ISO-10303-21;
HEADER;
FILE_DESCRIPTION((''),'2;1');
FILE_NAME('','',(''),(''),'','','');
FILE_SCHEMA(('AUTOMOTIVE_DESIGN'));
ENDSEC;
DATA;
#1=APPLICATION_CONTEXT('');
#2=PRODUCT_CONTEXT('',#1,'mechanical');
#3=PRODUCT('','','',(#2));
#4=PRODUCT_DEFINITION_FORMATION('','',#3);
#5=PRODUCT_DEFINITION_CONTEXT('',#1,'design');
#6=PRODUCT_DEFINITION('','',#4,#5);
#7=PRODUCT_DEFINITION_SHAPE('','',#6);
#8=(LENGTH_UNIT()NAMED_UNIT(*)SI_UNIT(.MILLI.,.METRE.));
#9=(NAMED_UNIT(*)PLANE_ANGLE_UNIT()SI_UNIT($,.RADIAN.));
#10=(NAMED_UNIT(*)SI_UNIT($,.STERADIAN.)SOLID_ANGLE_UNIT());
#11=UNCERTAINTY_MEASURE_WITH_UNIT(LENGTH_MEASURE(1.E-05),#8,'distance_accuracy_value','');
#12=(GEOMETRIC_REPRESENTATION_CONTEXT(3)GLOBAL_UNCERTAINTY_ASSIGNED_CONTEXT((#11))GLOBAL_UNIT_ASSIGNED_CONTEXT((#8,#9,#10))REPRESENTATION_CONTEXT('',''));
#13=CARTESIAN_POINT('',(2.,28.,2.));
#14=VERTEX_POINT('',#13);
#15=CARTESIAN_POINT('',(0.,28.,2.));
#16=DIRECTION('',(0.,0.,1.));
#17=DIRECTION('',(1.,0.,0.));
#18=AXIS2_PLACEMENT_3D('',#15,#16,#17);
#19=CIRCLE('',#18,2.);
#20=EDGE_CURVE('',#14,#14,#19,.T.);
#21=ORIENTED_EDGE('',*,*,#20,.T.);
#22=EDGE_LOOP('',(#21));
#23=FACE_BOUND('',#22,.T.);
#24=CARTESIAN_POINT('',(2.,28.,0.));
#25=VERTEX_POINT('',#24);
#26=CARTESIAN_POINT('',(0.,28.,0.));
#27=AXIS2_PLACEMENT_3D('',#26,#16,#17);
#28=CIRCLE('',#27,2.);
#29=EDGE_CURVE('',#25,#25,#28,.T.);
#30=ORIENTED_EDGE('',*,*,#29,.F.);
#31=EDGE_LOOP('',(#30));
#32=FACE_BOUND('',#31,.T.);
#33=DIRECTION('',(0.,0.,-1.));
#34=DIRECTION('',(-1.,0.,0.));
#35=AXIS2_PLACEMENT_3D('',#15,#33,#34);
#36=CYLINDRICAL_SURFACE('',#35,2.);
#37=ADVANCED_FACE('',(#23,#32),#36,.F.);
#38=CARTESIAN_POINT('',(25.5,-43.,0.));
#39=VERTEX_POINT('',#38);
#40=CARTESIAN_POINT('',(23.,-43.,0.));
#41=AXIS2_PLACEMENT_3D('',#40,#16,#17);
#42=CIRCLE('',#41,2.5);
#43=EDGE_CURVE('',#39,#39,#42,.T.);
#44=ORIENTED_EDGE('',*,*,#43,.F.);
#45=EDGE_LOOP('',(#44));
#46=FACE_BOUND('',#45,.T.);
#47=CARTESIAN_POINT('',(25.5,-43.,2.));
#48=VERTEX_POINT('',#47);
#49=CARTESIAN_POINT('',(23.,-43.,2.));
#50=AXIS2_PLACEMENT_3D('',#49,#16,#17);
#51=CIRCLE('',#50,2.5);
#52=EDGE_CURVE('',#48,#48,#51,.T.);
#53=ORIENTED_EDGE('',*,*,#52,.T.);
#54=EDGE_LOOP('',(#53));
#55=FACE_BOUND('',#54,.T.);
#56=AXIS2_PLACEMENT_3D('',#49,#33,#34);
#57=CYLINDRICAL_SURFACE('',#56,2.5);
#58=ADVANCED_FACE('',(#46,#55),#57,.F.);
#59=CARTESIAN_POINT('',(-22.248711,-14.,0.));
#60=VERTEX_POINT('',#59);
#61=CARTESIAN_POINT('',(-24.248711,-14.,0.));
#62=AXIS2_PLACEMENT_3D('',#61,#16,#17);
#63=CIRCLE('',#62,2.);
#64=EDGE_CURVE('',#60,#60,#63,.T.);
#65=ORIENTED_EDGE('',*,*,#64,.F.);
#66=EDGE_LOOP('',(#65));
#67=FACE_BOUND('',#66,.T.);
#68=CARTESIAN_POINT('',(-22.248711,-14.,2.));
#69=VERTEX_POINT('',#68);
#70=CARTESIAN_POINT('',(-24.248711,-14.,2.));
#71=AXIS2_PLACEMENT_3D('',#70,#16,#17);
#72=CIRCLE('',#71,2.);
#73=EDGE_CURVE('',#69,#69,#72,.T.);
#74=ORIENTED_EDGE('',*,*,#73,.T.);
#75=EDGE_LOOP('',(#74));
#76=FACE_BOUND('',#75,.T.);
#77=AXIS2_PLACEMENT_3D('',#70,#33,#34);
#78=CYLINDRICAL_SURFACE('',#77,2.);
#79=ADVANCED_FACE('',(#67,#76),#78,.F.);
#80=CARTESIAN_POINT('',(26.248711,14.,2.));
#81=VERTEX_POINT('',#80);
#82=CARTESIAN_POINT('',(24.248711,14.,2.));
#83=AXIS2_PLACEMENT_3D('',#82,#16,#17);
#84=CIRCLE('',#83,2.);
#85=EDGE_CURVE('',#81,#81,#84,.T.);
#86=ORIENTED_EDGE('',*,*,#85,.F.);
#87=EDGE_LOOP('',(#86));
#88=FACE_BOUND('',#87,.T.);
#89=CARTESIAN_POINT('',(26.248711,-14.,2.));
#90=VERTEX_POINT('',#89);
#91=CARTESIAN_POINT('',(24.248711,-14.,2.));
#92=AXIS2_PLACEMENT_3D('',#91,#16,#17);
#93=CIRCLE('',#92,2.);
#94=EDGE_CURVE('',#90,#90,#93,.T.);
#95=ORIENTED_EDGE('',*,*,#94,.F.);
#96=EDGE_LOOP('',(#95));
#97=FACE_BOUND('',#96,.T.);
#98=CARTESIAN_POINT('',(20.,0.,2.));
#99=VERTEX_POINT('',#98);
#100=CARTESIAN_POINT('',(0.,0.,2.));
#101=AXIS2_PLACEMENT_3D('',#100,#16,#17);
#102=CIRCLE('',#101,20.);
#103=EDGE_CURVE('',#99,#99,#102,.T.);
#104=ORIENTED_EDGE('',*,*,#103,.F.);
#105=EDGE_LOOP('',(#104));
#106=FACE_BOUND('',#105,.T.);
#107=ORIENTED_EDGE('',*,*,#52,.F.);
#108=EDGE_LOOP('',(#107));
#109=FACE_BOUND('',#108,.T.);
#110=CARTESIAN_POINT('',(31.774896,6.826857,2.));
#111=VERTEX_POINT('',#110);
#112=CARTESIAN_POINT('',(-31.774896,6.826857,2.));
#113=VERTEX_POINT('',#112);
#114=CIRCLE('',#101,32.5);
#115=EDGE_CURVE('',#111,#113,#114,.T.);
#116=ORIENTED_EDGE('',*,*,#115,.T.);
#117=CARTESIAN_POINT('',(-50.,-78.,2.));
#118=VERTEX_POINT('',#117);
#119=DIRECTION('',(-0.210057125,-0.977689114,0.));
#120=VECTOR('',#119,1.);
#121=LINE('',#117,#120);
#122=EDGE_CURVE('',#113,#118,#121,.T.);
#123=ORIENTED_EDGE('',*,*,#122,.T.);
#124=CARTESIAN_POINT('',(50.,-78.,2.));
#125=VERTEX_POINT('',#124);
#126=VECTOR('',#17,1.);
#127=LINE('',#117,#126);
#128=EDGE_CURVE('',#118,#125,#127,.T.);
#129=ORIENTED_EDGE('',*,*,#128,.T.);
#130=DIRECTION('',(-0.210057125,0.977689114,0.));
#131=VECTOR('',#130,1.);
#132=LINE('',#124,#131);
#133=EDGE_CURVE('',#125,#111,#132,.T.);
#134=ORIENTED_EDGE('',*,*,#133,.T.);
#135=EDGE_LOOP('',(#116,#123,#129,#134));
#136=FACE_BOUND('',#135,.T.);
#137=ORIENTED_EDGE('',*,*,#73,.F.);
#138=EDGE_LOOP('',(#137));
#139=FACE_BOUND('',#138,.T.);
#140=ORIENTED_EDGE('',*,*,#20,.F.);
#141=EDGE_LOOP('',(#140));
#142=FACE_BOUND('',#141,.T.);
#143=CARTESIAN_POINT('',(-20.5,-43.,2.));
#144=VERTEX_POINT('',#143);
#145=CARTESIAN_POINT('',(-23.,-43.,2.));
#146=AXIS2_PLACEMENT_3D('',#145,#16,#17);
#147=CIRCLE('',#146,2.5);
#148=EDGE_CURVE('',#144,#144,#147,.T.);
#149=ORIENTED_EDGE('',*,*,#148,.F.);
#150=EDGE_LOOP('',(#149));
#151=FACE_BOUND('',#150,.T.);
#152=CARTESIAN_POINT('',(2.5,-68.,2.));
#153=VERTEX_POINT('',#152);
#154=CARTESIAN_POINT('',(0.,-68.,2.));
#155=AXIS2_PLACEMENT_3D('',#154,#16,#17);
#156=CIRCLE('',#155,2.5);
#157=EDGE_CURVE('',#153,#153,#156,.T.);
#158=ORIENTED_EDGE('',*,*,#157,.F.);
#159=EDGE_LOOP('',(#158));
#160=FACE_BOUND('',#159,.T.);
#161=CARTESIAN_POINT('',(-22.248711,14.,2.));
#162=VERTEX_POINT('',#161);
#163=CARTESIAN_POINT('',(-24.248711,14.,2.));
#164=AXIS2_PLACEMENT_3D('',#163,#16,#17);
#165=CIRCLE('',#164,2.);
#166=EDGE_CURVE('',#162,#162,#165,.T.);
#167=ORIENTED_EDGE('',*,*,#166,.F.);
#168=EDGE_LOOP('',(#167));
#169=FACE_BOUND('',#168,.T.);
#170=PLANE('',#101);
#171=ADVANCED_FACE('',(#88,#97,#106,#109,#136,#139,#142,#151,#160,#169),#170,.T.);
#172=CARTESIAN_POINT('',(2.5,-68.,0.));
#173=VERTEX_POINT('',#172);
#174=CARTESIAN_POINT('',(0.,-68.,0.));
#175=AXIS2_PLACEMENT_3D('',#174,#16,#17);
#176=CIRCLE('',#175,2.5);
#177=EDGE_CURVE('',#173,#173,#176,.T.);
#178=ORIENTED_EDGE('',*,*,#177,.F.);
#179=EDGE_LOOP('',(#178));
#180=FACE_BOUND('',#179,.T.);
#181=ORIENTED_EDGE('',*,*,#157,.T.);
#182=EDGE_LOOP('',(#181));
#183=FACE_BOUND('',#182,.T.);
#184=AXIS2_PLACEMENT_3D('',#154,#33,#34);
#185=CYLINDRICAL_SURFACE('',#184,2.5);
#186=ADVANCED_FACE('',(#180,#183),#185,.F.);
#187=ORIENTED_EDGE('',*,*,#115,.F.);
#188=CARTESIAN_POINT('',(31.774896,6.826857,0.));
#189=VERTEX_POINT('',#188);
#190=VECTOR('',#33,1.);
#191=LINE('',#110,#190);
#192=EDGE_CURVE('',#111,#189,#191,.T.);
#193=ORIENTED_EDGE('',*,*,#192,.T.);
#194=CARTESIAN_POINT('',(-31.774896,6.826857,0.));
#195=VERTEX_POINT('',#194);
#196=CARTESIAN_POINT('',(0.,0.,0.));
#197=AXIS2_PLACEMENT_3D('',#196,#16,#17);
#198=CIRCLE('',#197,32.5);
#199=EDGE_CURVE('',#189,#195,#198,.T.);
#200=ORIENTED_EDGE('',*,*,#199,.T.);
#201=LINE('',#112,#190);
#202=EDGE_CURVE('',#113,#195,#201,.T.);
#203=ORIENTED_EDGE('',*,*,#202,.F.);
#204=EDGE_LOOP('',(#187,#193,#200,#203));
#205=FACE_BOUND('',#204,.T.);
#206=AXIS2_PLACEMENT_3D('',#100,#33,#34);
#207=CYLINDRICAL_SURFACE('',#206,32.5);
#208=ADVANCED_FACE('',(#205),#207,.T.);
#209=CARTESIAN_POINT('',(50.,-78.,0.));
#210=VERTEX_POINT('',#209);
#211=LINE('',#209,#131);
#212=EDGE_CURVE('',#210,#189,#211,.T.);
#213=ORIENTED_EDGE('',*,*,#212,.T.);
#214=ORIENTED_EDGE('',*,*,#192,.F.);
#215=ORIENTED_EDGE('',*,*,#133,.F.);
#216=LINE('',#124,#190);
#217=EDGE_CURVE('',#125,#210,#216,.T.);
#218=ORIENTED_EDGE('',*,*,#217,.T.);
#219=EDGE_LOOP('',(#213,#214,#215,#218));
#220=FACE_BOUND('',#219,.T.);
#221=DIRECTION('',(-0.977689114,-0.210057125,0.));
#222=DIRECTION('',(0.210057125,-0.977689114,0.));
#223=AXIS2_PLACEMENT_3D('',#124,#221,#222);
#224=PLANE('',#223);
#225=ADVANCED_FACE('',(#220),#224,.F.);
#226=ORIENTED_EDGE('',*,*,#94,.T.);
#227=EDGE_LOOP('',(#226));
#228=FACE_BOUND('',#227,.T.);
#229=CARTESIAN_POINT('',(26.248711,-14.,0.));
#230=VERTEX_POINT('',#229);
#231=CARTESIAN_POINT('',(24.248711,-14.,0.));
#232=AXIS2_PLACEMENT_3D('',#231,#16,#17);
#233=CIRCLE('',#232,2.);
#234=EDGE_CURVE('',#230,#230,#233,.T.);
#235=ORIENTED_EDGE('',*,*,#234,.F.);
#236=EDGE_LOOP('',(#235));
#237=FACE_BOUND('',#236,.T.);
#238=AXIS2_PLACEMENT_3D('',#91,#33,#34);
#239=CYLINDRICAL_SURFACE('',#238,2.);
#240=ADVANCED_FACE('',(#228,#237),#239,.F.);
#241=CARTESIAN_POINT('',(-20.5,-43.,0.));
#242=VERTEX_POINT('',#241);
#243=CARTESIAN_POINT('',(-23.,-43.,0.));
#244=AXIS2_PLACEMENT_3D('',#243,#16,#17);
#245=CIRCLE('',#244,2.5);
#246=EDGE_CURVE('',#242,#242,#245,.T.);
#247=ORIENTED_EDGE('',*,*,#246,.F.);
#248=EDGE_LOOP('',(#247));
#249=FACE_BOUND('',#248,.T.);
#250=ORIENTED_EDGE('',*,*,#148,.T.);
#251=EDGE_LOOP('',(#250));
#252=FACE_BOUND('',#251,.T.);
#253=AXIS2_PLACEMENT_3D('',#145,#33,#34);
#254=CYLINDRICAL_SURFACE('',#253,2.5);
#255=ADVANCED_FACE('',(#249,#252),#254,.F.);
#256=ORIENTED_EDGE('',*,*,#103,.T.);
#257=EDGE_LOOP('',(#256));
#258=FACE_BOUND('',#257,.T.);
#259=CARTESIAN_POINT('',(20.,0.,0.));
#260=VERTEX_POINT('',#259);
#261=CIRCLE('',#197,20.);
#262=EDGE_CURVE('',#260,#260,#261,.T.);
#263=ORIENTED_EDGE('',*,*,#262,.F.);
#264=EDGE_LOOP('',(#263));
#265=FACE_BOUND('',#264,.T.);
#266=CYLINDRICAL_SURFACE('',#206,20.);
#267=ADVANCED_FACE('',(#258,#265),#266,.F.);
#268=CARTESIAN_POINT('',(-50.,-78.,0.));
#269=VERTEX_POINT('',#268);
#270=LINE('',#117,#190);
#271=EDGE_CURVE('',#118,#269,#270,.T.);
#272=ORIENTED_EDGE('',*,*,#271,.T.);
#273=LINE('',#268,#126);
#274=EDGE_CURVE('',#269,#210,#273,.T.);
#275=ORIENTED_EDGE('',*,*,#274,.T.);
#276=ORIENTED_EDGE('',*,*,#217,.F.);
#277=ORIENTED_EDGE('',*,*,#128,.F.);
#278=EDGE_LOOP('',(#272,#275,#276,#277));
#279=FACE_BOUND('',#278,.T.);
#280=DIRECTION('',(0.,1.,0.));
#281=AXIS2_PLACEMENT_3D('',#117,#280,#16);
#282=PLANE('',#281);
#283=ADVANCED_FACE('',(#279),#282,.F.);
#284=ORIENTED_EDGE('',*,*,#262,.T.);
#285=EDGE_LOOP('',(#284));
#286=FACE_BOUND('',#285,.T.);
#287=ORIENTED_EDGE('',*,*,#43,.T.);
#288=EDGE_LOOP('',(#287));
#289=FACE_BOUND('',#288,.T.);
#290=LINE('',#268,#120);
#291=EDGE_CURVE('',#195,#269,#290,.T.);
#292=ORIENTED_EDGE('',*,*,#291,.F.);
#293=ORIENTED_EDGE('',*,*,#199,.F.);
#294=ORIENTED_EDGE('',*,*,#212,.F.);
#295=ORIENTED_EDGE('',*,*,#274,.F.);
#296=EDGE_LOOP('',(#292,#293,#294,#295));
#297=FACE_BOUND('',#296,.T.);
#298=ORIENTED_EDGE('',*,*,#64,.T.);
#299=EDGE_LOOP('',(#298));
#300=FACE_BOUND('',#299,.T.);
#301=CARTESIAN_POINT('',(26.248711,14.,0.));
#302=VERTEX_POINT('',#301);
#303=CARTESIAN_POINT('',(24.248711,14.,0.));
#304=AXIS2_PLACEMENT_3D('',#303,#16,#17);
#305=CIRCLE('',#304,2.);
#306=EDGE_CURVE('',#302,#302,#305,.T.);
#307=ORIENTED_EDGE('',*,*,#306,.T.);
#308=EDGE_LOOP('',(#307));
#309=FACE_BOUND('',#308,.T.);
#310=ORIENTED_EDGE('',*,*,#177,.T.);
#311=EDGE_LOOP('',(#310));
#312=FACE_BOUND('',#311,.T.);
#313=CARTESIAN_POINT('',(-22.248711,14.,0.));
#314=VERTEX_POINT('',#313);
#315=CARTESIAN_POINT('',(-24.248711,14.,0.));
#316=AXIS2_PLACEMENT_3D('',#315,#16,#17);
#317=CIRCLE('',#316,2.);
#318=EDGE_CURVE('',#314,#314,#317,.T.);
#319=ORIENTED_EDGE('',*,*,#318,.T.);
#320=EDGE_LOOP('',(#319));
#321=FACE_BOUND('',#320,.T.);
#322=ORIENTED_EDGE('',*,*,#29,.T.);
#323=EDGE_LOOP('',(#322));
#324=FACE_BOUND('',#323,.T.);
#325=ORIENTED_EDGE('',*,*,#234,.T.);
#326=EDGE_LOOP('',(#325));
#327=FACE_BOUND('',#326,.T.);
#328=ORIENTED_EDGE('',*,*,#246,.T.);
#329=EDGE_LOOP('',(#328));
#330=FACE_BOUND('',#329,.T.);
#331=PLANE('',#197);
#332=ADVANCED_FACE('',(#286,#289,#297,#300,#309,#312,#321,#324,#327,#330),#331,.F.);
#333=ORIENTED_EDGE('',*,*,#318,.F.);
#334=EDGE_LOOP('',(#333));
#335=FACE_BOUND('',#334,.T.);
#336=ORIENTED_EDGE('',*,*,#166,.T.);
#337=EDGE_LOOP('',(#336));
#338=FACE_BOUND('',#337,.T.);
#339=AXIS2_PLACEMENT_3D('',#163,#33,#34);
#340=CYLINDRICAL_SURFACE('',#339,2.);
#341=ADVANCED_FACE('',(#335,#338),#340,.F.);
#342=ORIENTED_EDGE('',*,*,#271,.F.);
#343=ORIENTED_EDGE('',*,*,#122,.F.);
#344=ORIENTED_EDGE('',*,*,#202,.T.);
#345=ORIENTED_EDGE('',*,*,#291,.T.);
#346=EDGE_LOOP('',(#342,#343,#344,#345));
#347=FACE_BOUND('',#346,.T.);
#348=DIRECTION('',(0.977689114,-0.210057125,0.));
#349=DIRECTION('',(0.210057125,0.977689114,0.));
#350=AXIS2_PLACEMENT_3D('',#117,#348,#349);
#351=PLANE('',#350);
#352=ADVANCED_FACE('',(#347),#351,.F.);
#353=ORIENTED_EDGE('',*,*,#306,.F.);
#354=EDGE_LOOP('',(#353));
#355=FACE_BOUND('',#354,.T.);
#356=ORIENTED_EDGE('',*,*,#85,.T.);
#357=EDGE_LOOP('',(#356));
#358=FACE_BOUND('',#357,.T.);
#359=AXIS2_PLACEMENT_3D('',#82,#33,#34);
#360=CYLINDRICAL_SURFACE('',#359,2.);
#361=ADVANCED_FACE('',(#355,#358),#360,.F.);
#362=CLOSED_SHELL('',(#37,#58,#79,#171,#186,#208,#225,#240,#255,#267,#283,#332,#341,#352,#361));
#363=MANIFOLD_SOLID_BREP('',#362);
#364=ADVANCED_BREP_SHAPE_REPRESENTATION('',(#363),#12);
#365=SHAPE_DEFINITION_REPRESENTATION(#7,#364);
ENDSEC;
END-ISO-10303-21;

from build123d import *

# Parameters (mm, degrees)
SKETCH1_R           = 20
SKETCH1_R_2         = 2
SKETCH1_R_3         = 2.5
BOSS_EXTRUDE1_DEPTH = 2


with BuildPart() as part:
    # Sketch1 → Boss-Extrude1 (new body)
    with BuildSketch(Plane.XY):
        with BuildLine():
            Line((-50, -78), (50, -78))
            Line((50, -78), (31.774896218, 6.82685655))
            ThreePointArc((31.774896218, 6.82685655), (0, 32.5), (-31.774896218, 6.82685655))
            Line((-31.774896218, 6.82685655), (-50, -78))
        make_face()
        Circle(SKETCH1_R, mode=Mode.SUBTRACT)
        with Locations((0, 28)):
            Circle(SKETCH1_R_2, mode=Mode.SUBTRACT)
        with Locations((24.248711306, 14)):
            Circle(SKETCH1_R_2, mode=Mode.SUBTRACT)
        with Locations((24.248711306, -14)):
            Circle(SKETCH1_R_2, mode=Mode.SUBTRACT)
        with Locations((-24.248711306, -14)):
            Circle(SKETCH1_R_2, mode=Mode.SUBTRACT)
        with Locations((-24.248711306, 14)):
            Circle(SKETCH1_R_2, mode=Mode.SUBTRACT)
        with Locations((0, -68)):
            Circle(SKETCH1_R_3, mode=Mode.SUBTRACT)
        with Locations((23, -43)):
            Circle(SKETCH1_R_3, mode=Mode.SUBTRACT)
        with Locations((-23, -43)):
            Circle(SKETCH1_R_3, mode=Mode.SUBTRACT)
    extrude(amount=BOSS_EXTRUDE1_DEPTH)


solid = part.part
